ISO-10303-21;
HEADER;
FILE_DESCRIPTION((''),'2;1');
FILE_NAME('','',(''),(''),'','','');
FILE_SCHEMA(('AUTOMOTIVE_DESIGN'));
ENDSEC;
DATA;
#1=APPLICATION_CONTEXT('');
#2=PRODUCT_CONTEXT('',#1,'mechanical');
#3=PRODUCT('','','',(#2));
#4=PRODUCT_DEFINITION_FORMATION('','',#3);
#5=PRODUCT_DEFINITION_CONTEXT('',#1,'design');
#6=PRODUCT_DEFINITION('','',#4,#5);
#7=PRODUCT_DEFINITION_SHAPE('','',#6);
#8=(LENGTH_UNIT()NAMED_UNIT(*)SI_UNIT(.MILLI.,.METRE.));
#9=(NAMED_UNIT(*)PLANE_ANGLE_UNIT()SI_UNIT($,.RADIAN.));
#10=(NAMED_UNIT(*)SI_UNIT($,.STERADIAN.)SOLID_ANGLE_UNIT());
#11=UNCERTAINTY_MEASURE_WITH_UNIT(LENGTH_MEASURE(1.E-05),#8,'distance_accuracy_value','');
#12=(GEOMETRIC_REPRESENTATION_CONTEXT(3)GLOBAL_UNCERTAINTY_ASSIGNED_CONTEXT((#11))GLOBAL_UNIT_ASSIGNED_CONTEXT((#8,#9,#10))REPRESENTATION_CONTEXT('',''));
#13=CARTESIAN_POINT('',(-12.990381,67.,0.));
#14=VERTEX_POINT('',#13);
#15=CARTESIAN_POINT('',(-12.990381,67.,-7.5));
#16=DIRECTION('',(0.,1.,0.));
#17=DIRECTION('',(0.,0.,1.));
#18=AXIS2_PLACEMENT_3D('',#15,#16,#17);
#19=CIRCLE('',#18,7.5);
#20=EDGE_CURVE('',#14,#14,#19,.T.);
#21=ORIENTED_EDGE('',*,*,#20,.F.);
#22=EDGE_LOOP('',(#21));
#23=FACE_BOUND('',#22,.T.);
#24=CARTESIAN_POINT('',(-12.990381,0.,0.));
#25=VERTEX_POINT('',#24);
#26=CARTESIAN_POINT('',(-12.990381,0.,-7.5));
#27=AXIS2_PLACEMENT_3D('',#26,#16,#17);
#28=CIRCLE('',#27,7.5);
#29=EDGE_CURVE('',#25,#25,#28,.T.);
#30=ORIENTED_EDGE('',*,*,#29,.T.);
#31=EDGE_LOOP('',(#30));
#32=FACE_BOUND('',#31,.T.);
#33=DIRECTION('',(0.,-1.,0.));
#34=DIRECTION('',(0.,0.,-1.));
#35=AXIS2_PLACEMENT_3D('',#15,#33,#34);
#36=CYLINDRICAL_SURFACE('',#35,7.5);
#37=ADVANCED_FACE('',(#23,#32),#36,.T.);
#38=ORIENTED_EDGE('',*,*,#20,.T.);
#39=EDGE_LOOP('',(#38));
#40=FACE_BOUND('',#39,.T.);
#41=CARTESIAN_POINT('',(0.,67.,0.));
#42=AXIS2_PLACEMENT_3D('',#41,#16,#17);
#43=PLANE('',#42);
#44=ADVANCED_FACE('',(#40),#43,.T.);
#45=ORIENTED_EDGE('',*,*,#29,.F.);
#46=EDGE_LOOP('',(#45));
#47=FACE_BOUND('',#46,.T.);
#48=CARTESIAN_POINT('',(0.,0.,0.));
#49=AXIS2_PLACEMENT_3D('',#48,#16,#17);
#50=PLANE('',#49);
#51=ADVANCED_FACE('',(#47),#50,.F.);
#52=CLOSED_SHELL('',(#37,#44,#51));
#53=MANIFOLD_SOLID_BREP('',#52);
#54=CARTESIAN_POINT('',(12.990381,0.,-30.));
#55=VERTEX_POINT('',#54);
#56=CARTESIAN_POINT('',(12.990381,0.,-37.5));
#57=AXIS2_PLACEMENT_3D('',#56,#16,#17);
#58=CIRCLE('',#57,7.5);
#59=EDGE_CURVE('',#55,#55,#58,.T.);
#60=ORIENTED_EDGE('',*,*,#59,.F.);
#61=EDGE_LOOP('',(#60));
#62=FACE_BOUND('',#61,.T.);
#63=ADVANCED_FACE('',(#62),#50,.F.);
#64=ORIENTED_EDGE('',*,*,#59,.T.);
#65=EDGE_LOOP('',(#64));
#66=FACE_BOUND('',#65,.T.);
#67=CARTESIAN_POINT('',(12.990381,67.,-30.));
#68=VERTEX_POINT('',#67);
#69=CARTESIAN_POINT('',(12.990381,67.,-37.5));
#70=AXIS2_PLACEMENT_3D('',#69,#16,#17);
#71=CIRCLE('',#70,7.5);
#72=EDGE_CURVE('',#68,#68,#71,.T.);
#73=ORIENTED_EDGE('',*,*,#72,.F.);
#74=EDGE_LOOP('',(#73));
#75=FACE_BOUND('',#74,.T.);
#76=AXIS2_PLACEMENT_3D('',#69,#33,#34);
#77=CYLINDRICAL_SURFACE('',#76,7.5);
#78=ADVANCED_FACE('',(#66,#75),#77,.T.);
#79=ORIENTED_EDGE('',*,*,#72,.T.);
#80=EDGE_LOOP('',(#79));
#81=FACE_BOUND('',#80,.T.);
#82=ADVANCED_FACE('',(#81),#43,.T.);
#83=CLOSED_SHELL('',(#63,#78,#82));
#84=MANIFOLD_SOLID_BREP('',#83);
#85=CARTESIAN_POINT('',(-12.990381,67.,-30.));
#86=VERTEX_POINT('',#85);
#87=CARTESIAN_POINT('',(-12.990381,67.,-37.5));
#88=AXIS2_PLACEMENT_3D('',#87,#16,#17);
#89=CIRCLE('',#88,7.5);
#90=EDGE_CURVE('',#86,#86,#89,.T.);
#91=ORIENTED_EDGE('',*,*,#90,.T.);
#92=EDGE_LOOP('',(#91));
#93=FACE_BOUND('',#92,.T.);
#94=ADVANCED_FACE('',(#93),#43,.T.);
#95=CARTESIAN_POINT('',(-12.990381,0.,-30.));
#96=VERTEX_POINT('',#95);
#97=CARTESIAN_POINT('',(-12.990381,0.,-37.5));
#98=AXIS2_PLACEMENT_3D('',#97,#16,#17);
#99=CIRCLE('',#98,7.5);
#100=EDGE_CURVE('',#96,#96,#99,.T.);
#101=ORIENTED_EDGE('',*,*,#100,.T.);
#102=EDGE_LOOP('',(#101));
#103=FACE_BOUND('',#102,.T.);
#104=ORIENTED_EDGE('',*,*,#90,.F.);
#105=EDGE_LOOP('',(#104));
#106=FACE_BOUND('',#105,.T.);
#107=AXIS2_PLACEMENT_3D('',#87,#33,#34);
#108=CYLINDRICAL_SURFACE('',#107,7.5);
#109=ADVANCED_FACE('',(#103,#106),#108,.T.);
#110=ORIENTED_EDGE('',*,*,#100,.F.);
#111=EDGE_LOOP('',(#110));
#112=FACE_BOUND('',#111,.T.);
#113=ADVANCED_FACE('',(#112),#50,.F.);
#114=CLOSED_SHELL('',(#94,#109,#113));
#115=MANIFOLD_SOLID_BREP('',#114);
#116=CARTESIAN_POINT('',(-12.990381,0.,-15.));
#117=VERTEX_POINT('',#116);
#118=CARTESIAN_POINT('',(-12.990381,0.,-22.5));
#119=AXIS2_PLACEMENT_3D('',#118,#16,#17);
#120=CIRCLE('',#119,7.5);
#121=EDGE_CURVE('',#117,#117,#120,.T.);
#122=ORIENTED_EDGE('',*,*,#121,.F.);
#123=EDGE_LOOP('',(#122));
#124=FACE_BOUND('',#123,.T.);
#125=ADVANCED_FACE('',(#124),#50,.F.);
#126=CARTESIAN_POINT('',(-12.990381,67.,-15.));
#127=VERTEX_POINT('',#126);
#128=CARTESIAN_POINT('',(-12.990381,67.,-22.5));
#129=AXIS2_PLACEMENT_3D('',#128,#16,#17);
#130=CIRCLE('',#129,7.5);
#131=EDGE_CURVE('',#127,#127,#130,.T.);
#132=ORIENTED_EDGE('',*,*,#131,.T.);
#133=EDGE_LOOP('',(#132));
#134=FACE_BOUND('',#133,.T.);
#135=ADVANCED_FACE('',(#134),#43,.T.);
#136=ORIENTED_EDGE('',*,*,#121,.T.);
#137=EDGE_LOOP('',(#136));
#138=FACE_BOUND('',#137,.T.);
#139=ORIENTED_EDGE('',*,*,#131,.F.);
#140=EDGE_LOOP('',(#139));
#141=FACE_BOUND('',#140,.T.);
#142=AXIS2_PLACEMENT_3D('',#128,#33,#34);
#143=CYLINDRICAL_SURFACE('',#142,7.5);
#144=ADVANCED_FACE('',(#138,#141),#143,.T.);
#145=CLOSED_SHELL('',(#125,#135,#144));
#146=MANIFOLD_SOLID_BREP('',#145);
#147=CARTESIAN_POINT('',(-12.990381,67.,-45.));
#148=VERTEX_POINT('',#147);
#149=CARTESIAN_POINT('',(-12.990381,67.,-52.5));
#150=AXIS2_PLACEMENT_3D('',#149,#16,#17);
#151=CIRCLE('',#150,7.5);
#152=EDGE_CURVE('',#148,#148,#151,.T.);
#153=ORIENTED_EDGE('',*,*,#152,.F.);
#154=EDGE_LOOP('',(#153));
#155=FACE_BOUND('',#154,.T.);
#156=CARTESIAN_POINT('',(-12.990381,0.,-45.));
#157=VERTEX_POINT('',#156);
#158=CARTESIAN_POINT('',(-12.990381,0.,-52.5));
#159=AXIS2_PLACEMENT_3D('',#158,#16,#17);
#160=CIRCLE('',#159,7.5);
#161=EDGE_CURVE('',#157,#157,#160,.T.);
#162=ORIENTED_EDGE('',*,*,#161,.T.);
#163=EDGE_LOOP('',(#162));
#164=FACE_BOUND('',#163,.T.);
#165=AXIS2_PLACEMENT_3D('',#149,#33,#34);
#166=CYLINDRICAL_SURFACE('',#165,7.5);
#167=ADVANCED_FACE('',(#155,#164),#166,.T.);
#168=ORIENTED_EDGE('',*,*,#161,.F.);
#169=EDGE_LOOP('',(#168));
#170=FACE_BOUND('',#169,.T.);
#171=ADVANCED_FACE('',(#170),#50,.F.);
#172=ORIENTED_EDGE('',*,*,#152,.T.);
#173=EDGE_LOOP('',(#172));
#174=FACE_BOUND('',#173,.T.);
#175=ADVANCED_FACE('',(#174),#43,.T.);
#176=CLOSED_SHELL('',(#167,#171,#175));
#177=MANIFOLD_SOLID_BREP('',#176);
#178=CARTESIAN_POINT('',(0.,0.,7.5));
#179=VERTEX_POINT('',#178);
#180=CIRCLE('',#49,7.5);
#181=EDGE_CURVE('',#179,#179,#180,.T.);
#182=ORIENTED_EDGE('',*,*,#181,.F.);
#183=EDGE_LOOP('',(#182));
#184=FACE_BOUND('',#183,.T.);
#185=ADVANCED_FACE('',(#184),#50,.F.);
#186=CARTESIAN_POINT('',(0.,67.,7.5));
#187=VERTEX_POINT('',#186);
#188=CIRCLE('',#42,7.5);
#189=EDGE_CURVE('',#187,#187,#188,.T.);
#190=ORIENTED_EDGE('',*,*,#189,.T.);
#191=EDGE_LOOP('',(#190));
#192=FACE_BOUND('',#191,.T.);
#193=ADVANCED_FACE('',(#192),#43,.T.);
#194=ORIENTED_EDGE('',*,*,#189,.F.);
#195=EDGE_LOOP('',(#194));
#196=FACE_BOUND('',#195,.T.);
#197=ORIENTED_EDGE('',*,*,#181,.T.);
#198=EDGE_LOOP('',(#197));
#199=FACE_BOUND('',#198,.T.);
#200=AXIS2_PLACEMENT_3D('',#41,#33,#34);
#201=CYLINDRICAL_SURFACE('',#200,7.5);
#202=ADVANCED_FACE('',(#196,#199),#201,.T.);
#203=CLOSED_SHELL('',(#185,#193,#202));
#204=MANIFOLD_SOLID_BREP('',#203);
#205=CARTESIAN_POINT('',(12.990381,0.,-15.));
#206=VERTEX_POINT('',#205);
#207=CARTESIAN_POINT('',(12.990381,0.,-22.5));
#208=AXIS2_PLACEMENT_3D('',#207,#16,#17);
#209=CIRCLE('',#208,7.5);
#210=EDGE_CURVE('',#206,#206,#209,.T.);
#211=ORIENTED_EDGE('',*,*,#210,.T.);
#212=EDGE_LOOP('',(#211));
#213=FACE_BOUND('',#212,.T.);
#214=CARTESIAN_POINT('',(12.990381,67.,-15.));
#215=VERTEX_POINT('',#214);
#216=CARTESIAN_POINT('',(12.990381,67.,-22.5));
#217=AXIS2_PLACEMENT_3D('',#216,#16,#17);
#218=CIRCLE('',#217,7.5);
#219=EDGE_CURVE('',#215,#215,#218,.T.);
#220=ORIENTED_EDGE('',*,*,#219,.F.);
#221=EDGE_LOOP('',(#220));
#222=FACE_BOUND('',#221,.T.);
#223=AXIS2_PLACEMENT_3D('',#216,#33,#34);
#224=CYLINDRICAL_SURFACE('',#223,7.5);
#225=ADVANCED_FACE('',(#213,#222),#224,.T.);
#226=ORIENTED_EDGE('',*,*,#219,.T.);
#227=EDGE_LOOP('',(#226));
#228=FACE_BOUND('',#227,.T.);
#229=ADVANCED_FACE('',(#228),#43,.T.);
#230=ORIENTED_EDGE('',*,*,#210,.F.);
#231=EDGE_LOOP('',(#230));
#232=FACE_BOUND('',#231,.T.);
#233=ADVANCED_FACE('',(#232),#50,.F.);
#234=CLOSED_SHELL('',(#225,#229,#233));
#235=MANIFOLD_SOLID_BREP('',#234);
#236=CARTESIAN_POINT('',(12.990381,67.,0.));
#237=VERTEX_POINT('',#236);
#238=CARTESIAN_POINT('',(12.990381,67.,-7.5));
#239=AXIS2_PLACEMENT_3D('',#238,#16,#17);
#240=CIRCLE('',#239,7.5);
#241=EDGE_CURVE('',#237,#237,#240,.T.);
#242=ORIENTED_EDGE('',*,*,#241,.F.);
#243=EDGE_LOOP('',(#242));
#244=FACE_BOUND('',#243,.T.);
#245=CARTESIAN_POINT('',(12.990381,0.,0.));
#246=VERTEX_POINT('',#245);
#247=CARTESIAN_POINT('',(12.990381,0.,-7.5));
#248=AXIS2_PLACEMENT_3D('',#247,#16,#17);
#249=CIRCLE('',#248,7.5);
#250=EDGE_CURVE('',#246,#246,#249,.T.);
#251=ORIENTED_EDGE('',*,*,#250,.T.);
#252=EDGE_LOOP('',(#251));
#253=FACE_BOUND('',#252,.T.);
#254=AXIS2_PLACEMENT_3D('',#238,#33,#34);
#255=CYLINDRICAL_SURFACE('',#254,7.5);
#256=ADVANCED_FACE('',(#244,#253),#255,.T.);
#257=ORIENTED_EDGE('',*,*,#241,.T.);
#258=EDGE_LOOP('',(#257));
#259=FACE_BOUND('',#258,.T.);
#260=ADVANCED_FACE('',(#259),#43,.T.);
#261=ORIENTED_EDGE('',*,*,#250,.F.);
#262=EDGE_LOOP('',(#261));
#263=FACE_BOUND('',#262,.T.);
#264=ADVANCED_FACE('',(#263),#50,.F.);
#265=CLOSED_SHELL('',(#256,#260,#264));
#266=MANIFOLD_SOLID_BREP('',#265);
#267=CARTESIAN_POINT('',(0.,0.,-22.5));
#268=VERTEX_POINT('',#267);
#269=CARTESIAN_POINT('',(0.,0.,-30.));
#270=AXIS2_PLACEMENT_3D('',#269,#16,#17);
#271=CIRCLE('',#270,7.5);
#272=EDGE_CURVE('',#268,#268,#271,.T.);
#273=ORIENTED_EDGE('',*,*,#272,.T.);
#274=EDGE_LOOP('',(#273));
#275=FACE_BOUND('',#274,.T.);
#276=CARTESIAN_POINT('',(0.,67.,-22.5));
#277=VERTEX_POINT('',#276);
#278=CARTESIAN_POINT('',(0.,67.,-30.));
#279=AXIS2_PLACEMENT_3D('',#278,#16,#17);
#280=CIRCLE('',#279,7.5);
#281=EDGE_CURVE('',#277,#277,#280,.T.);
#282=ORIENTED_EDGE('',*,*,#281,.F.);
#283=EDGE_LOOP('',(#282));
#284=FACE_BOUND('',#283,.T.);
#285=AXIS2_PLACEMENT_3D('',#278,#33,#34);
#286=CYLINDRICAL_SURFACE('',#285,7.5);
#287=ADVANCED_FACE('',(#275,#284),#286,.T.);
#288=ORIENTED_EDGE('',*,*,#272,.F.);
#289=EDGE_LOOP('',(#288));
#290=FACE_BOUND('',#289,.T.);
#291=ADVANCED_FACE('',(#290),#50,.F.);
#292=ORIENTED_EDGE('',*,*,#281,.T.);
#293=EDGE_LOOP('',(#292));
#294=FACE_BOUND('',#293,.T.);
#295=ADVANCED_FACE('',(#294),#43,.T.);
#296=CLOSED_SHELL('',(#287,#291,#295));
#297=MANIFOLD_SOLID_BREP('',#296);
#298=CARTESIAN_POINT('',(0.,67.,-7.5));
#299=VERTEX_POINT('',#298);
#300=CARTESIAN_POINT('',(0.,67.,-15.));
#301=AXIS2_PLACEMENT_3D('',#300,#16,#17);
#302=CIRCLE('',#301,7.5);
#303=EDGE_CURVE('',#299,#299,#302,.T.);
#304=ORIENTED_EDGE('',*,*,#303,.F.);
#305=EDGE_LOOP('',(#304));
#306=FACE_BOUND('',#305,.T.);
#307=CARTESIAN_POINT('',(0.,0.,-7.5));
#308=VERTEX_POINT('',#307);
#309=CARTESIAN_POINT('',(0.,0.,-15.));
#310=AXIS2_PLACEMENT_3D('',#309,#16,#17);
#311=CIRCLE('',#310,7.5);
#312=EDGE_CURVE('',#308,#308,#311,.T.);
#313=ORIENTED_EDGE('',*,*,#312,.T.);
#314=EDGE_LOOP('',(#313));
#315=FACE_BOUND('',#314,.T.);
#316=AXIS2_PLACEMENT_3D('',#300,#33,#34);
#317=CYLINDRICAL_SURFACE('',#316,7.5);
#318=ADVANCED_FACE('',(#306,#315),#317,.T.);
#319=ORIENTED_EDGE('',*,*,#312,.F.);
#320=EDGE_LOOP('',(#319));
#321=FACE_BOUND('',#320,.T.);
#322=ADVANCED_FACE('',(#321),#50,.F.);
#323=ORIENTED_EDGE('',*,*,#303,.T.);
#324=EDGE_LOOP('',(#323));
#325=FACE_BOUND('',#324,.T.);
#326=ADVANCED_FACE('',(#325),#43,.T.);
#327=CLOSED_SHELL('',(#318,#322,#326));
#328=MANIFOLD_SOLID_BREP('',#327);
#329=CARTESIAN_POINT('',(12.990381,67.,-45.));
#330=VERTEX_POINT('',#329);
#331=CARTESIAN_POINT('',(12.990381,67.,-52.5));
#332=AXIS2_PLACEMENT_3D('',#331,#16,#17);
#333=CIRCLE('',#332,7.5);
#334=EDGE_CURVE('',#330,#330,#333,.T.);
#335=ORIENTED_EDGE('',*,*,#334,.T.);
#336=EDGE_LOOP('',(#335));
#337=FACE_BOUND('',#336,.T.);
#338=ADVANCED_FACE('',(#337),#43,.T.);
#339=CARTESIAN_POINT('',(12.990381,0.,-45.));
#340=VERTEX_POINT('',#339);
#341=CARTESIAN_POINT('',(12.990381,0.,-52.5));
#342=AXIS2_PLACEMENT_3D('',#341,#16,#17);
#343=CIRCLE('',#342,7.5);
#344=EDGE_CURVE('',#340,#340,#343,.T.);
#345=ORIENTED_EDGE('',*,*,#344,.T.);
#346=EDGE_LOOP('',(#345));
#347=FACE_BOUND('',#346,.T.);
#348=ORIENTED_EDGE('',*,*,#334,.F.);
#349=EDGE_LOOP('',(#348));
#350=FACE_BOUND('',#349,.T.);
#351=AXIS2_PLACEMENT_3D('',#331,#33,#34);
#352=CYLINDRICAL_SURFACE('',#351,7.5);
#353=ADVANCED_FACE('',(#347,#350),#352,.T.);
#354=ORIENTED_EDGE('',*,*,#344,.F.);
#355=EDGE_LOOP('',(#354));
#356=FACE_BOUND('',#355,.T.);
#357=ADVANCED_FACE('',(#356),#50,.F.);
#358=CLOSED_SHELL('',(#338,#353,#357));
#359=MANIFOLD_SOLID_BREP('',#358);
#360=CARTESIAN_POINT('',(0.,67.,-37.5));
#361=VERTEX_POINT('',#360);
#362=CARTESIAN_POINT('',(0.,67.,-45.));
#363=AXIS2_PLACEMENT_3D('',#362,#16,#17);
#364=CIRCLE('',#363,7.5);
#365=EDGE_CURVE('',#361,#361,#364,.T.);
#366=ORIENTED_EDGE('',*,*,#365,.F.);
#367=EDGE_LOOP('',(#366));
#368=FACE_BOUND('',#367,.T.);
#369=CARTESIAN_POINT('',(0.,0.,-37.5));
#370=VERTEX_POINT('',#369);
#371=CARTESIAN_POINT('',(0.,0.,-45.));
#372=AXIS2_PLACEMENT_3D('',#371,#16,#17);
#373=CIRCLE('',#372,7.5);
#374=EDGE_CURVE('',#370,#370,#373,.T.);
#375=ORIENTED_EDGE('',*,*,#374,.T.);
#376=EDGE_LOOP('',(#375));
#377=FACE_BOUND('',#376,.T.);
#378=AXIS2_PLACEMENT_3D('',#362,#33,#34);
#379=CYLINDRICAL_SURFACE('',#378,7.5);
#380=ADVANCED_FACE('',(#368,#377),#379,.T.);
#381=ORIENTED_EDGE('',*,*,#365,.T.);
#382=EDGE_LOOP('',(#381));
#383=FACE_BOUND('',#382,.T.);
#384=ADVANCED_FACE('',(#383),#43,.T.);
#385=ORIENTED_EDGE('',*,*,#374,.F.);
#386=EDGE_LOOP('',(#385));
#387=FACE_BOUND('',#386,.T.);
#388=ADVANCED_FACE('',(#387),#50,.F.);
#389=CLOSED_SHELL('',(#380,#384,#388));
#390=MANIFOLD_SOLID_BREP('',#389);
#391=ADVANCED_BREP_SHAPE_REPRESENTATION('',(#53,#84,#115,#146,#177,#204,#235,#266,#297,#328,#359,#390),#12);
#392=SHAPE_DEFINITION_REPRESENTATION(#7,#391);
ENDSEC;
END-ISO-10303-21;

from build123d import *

# Parameters (mm, degrees)
SKETCH1_R           = 7.5
BOSS_EXTRUDE1_DEPTH = 67


with BuildPart() as part:
    # Sketch1 → Boss-Extrude1 (new body)
    with BuildSketch(Plane(origin=(0, 0, 0), x_dir=(1, 0, 0), z_dir=(0, 1, 0))):
        with Locations(Location((12.990381057, 7.5, 0), (0, 0, 270))):
            Circle(SKETCH1_R)
        with Locations(Location((0, 0, 0), (0, 0, 270))):
            Circle(SKETCH1_R)
        with Locations(Location((0, 15, 0), (0, 0, 270))):
            Circle(SKETCH1_R)
        with Locations(Location((-12.990381057, 7.5, 0), (0, 0, 270))):
            Circle(SKETCH1_R)
        with Locations(Location((-12.990381057, 22.5, 0), (0, 0, 270))):
            Circle(SKETCH1_R)
        with Locations(Location((-12.990381057, 37.5, 0), (0, 0, 270))):
            Circle(SKETCH1_R)
        with Locations(Location((-12.990381057, 52.5, 0), (0, 0, 270))):
            Circle(SKETCH1_R)
        with Locations(Location((0, 45, 0), (0, 0, 270))):
            Circle(SKETCH1_R)
        with Locations(Location((0, 30, 0), (0, 0, 270))):
            Circle(SKETCH1_R)
        with Locations(Location((12.990381057, 52.5, 0), (0, 0, 270))):
            Circle(SKETCH1_R)
        with Locations(Location((12.990381057, 37.5, 0), (0, 0, 270))):
            Circle(SKETCH1_R)
        with Locations(Location((12.990381057, 22.5, 0), (0, 0, 270))):
            Circle(SKETCH1_R)
    extrude(amount=BOSS_EXTRUDE1_DEPTH)


solid = part.part
